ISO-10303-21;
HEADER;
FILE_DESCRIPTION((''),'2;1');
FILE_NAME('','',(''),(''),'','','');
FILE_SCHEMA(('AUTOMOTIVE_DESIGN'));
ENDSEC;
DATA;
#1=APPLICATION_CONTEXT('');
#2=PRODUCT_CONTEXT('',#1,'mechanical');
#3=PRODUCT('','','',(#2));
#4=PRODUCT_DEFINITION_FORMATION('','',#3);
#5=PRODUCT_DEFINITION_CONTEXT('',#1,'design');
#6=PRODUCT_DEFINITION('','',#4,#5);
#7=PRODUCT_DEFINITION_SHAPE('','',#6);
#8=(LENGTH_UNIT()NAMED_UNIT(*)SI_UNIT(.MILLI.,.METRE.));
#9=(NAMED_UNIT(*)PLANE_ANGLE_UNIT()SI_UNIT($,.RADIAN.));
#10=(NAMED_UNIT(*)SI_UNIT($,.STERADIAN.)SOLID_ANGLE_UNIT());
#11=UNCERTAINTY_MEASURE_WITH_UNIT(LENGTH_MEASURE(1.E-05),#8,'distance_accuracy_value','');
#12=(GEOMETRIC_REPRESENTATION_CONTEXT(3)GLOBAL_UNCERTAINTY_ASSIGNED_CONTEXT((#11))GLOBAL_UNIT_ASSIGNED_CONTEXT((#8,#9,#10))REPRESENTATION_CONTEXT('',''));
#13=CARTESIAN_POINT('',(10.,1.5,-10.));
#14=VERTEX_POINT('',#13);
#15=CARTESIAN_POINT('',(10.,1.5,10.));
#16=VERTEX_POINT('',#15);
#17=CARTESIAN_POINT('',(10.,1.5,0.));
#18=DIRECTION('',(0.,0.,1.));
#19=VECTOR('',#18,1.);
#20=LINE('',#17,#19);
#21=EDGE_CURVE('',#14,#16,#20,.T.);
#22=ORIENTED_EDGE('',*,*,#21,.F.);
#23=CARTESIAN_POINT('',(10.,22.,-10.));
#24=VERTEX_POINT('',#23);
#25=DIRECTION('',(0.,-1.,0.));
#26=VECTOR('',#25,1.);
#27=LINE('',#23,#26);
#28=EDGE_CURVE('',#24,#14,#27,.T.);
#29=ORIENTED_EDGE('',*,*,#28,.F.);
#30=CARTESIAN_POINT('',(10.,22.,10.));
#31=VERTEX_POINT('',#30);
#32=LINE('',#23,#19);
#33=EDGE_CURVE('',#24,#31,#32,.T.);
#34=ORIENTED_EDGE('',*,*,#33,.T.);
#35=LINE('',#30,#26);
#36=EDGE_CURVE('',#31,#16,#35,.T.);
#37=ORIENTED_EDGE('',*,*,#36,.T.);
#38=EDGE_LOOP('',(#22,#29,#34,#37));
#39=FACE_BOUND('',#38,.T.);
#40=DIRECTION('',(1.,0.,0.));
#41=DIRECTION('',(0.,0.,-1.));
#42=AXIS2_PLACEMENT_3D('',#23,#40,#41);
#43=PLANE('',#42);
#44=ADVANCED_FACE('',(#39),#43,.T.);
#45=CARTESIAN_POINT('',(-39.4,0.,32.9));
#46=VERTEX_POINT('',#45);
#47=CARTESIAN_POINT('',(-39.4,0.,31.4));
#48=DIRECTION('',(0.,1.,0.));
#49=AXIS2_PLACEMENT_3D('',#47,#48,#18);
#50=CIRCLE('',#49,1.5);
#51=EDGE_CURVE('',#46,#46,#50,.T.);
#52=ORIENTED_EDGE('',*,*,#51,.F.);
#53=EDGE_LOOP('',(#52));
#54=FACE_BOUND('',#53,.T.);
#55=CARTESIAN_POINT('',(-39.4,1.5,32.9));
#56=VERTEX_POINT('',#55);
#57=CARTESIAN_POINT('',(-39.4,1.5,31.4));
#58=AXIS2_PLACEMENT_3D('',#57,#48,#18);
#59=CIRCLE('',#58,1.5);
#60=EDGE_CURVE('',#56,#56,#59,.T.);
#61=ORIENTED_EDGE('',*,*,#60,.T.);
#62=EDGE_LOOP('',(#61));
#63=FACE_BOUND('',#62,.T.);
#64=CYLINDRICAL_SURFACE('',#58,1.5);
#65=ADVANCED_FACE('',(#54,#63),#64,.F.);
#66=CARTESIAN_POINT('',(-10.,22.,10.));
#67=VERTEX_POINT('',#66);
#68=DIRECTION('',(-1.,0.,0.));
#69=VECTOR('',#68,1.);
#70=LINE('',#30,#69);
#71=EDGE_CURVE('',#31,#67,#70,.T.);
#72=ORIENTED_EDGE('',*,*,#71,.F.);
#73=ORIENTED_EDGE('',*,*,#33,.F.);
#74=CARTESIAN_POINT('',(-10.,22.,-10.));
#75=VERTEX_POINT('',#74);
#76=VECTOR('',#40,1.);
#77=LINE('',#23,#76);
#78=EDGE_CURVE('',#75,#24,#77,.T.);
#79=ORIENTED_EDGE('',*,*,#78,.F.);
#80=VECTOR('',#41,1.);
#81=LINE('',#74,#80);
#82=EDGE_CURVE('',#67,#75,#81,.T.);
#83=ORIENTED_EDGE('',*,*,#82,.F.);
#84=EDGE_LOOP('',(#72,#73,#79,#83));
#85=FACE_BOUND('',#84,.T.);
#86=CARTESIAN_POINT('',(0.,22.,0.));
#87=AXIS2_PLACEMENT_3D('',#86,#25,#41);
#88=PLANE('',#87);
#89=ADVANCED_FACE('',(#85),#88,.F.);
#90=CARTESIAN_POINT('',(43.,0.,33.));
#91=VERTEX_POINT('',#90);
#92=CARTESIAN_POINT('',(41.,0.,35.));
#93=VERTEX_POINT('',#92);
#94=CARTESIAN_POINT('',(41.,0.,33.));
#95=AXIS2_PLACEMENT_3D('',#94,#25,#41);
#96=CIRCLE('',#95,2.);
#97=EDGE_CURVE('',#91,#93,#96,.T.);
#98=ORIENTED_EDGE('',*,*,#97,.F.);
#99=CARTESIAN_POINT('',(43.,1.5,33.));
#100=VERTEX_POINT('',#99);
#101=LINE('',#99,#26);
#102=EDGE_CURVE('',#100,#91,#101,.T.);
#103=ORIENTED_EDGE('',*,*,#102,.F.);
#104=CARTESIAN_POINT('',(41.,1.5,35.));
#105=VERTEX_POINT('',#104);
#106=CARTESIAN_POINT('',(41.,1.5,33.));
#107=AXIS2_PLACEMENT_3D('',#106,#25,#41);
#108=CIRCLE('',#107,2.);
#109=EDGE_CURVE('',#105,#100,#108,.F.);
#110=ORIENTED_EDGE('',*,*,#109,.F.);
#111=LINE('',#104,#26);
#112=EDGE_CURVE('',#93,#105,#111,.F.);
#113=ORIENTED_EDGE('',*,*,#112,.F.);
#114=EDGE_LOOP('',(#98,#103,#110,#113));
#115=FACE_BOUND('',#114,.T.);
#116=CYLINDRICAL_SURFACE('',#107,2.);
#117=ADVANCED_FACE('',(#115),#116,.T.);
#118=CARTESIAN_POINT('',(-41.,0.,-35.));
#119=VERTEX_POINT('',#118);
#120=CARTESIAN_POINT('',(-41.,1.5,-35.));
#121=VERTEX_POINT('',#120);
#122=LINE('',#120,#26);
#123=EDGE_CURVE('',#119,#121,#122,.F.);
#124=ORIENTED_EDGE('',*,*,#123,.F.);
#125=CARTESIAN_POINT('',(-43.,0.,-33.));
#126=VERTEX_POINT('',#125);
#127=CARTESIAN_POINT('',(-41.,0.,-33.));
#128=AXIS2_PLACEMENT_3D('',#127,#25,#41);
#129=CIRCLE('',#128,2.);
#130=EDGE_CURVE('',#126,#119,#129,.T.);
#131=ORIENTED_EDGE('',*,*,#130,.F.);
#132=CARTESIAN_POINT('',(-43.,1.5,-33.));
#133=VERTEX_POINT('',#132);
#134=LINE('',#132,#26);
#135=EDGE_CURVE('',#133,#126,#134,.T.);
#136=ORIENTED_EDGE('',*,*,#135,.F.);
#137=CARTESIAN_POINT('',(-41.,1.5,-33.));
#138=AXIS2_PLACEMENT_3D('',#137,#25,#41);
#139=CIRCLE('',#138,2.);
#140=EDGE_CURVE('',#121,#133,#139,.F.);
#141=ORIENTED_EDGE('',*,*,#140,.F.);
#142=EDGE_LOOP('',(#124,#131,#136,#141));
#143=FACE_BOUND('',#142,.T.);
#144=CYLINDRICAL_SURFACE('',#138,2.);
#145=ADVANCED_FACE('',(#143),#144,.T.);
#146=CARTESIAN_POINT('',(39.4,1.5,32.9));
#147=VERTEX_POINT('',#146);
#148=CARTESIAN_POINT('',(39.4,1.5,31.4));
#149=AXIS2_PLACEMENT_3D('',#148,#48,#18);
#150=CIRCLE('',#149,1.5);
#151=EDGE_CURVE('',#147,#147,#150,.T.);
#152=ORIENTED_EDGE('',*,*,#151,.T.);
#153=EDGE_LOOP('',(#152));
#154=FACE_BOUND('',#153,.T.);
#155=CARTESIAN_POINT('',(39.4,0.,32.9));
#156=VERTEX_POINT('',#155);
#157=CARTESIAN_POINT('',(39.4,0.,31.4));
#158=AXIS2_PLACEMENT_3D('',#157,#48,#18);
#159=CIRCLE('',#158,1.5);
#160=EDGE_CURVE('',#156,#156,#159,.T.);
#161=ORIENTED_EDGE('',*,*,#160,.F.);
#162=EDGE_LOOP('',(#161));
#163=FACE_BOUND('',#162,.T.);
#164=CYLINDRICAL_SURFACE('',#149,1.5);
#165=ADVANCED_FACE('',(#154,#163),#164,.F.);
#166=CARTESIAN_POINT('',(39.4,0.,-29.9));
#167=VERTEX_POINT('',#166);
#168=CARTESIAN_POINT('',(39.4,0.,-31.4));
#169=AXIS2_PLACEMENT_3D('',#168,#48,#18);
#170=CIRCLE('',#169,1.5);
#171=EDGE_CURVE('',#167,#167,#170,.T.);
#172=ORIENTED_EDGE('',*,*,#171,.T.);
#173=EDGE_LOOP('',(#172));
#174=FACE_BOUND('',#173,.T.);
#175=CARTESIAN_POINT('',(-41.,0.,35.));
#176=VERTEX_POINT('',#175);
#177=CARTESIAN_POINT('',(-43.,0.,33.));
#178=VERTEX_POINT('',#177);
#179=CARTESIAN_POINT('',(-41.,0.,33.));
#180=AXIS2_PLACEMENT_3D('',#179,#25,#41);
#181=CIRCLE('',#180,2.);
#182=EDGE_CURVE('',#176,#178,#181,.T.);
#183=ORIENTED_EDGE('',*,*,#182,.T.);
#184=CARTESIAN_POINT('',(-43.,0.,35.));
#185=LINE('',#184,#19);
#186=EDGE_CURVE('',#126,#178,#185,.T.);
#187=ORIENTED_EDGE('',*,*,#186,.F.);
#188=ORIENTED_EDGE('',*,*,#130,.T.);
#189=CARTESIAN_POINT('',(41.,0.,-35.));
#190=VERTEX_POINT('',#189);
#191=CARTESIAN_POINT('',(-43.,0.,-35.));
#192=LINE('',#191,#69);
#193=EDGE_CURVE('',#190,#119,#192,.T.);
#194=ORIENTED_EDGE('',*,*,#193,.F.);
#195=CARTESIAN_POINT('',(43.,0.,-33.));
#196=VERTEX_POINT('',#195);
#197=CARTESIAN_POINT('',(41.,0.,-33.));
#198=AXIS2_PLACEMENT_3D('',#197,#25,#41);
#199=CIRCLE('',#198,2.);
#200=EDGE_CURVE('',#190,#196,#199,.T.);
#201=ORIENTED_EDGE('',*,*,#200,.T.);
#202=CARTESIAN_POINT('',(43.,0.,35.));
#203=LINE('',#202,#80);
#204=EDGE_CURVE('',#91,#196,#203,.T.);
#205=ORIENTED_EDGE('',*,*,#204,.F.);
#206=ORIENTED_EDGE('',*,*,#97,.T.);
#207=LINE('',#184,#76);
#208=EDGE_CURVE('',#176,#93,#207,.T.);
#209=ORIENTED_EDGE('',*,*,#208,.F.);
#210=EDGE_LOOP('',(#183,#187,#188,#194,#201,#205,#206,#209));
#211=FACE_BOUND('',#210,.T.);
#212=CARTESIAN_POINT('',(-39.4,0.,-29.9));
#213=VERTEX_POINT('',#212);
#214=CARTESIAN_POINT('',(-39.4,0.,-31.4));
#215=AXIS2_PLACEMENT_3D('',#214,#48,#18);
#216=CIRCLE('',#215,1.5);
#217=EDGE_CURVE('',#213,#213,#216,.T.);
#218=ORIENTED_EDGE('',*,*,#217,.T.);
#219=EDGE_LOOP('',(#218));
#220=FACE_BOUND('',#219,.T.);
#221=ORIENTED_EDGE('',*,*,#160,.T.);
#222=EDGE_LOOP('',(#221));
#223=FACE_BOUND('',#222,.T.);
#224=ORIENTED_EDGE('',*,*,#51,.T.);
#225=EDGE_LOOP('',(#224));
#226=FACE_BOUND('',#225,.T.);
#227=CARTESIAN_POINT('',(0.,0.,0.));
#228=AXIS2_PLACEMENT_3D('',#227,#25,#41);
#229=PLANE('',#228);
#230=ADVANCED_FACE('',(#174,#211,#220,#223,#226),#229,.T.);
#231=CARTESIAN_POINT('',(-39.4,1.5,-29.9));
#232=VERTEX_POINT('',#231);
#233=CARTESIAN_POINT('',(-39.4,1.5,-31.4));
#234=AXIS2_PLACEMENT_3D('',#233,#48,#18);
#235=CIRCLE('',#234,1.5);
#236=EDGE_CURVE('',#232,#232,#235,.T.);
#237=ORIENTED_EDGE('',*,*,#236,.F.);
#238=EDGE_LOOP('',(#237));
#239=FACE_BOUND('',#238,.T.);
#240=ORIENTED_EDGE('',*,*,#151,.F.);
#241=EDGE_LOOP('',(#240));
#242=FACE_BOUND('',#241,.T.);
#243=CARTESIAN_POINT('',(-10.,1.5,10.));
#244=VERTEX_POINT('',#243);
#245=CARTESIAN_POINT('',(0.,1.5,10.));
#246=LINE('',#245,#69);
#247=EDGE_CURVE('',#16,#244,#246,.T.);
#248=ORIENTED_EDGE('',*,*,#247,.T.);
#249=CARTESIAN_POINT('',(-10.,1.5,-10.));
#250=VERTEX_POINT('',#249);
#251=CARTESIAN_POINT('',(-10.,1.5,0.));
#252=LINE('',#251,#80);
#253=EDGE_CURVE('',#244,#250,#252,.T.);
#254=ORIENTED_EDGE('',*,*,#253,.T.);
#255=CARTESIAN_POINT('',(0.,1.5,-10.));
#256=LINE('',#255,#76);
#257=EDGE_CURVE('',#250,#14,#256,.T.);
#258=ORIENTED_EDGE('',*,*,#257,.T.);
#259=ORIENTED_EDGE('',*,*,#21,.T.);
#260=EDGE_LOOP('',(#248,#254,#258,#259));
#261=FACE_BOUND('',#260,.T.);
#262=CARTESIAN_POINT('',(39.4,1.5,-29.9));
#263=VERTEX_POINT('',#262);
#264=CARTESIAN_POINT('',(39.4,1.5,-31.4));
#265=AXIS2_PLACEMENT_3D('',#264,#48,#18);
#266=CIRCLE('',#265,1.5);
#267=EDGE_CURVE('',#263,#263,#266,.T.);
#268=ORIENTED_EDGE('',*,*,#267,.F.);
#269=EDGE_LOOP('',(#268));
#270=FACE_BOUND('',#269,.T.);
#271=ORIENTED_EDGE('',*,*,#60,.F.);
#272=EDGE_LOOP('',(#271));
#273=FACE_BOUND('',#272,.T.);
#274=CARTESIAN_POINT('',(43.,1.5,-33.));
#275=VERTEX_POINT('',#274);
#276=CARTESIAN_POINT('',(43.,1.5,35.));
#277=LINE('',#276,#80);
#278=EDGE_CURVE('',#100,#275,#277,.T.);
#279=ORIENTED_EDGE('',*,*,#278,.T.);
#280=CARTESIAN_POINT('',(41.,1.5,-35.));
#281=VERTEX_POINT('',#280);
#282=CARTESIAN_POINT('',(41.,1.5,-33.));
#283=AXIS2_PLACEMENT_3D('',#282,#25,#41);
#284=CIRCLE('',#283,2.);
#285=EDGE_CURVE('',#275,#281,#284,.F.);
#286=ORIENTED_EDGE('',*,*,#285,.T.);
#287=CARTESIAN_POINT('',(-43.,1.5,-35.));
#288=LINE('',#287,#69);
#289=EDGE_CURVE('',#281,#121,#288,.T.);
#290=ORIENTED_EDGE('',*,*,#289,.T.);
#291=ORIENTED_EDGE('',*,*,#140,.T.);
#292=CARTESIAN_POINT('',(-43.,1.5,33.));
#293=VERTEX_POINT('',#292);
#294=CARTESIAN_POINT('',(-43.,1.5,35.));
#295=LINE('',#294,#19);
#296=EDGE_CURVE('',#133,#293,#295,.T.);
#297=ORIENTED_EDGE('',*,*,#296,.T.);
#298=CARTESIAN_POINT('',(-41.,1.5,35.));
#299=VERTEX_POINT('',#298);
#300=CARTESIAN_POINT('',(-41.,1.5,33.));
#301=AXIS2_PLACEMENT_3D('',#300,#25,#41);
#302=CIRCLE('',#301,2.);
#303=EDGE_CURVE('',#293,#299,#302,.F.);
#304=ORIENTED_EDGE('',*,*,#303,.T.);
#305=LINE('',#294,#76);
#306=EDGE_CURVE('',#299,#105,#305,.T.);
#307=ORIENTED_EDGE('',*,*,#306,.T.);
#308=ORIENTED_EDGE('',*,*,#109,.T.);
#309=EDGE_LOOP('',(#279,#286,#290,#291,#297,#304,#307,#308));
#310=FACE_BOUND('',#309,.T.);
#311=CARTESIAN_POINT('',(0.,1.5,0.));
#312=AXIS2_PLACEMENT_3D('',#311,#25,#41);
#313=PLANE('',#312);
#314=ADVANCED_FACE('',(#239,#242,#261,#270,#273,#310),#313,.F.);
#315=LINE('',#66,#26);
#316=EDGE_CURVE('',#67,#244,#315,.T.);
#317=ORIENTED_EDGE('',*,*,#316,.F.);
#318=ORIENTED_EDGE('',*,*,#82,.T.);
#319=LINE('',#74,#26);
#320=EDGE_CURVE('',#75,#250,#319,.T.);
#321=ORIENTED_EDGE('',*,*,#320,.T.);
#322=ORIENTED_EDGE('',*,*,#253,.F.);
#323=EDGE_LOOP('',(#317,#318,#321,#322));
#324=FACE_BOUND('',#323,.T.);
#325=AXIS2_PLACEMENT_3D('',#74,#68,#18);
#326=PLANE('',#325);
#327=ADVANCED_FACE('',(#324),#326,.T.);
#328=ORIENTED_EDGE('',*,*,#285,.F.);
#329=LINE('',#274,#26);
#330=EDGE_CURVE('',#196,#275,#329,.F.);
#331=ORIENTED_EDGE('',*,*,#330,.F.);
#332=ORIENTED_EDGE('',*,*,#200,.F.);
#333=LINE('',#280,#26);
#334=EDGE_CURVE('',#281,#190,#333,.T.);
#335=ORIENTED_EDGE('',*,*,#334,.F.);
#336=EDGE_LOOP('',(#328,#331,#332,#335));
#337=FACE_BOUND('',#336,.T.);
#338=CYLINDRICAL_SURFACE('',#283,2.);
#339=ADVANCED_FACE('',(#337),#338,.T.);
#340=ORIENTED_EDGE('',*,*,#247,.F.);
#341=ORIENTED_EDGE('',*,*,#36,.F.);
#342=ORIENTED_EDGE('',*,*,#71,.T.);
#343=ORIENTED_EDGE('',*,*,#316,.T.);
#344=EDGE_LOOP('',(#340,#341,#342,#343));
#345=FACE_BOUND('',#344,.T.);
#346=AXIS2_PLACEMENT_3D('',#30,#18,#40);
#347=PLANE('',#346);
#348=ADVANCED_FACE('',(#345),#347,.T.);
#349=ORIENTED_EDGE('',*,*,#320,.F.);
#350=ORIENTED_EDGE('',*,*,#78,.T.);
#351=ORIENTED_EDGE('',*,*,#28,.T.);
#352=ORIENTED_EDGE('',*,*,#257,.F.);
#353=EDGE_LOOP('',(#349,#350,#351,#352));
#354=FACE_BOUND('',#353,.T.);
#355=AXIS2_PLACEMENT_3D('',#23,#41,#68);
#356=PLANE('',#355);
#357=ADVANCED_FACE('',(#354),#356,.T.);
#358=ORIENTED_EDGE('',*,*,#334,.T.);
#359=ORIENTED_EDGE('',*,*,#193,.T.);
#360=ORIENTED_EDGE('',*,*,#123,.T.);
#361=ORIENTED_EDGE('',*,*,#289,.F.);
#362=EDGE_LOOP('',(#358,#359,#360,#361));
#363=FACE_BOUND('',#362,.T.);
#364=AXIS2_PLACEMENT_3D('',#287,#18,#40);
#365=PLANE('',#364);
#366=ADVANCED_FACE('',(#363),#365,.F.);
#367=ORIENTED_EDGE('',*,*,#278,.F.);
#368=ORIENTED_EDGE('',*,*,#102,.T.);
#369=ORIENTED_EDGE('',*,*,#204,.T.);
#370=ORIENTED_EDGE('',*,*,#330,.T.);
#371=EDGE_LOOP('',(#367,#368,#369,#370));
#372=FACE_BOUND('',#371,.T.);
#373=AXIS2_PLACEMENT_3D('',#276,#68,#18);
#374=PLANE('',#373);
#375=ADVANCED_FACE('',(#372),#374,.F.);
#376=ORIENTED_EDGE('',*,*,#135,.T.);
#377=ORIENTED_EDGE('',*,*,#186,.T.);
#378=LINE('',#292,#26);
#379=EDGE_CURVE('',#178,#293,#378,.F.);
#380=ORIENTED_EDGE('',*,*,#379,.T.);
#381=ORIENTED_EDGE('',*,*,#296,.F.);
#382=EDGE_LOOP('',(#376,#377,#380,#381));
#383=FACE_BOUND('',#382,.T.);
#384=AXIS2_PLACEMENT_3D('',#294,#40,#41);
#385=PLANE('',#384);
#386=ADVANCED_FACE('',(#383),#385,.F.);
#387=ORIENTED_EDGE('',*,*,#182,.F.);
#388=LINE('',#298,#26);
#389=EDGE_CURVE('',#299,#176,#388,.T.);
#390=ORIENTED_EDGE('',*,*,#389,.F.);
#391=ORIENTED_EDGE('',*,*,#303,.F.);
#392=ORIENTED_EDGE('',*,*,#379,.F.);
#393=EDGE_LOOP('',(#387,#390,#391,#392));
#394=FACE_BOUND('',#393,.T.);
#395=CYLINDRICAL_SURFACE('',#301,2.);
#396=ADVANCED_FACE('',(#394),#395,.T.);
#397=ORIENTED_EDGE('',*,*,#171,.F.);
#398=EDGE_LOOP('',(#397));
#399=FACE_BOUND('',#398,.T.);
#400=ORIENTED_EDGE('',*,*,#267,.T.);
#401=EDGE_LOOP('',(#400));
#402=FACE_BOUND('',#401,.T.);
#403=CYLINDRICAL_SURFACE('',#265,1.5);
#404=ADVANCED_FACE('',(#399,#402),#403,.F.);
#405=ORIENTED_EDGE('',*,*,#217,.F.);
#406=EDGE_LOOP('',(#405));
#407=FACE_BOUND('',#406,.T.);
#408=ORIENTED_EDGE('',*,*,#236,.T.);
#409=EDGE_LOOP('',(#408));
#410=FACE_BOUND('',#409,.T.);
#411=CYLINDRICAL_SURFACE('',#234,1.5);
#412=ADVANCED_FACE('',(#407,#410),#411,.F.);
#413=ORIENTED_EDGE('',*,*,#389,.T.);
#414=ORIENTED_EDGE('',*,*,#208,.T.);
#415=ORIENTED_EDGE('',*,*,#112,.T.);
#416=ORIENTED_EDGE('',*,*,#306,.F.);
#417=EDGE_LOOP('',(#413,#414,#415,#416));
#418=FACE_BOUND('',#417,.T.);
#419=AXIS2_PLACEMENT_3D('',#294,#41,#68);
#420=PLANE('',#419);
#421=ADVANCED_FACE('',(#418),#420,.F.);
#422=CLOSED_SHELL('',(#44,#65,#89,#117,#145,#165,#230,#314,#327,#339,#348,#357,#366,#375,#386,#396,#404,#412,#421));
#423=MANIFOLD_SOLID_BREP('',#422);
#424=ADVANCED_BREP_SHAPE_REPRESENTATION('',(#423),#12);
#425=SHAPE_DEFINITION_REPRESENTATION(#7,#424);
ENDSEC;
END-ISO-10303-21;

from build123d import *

# Parameters (mm, degrees)
SKETCH1_W             = 86
SKETCH1_H             = 70
BOSS_EXTRUDE1_DEPTH   = 1.5
FILLET1_R             = 2
SKETCH2_W             = 20
SKETCH2_H             = 20
BOSS_EXTRUDE2_DEPTH   = 22
F_1_0MM_DOWEL_HOLE1_D = 3


with BuildPart() as part:
    # Sketch1 → Boss-Extrude1 (new body)
    with BuildSketch(Plane(origin=(0, 0, 0), x_dir=(1, 0, 0), z_dir=(0, 1, 0))):
        Rectangle(SKETCH1_W, SKETCH1_H)
    extrude(amount=BOSS_EXTRUDE1_DEPTH)

    # Fillet1
    fillet1_edges = [part.edges().sort_by_distance(p)[0] for p in [
        (43, 0.75, 35),
        (-43, 0.75, 35),
        (-43, 0.75, -35),
        (43, 0.75, -35),
    ]]
    fillet(fillet1_edges, radius=FILLET1_R)

    # Sketch2 → Boss-Extrude2 (add)
    with BuildSketch(Plane.XZ):
        Rectangle(SKETCH2_W, SKETCH2_H)
    extrude(amount=-BOSS_EXTRUDE2_DEPTH)

    # Ø1.0mm Dowel Hole1 (through all)
    with Locations(Plane(origin=(-39.4, 1.5, -31.4), x_dir=(0, 0, 1), z_dir=(0, 1, 0))):
        with Locations((0, 0), (0, 78.8), (62.8, 0), (62.8, 78.8)):
            Hole(F_1_0MM_DOWEL_HOLE1_D / 2)


solid = part.part
